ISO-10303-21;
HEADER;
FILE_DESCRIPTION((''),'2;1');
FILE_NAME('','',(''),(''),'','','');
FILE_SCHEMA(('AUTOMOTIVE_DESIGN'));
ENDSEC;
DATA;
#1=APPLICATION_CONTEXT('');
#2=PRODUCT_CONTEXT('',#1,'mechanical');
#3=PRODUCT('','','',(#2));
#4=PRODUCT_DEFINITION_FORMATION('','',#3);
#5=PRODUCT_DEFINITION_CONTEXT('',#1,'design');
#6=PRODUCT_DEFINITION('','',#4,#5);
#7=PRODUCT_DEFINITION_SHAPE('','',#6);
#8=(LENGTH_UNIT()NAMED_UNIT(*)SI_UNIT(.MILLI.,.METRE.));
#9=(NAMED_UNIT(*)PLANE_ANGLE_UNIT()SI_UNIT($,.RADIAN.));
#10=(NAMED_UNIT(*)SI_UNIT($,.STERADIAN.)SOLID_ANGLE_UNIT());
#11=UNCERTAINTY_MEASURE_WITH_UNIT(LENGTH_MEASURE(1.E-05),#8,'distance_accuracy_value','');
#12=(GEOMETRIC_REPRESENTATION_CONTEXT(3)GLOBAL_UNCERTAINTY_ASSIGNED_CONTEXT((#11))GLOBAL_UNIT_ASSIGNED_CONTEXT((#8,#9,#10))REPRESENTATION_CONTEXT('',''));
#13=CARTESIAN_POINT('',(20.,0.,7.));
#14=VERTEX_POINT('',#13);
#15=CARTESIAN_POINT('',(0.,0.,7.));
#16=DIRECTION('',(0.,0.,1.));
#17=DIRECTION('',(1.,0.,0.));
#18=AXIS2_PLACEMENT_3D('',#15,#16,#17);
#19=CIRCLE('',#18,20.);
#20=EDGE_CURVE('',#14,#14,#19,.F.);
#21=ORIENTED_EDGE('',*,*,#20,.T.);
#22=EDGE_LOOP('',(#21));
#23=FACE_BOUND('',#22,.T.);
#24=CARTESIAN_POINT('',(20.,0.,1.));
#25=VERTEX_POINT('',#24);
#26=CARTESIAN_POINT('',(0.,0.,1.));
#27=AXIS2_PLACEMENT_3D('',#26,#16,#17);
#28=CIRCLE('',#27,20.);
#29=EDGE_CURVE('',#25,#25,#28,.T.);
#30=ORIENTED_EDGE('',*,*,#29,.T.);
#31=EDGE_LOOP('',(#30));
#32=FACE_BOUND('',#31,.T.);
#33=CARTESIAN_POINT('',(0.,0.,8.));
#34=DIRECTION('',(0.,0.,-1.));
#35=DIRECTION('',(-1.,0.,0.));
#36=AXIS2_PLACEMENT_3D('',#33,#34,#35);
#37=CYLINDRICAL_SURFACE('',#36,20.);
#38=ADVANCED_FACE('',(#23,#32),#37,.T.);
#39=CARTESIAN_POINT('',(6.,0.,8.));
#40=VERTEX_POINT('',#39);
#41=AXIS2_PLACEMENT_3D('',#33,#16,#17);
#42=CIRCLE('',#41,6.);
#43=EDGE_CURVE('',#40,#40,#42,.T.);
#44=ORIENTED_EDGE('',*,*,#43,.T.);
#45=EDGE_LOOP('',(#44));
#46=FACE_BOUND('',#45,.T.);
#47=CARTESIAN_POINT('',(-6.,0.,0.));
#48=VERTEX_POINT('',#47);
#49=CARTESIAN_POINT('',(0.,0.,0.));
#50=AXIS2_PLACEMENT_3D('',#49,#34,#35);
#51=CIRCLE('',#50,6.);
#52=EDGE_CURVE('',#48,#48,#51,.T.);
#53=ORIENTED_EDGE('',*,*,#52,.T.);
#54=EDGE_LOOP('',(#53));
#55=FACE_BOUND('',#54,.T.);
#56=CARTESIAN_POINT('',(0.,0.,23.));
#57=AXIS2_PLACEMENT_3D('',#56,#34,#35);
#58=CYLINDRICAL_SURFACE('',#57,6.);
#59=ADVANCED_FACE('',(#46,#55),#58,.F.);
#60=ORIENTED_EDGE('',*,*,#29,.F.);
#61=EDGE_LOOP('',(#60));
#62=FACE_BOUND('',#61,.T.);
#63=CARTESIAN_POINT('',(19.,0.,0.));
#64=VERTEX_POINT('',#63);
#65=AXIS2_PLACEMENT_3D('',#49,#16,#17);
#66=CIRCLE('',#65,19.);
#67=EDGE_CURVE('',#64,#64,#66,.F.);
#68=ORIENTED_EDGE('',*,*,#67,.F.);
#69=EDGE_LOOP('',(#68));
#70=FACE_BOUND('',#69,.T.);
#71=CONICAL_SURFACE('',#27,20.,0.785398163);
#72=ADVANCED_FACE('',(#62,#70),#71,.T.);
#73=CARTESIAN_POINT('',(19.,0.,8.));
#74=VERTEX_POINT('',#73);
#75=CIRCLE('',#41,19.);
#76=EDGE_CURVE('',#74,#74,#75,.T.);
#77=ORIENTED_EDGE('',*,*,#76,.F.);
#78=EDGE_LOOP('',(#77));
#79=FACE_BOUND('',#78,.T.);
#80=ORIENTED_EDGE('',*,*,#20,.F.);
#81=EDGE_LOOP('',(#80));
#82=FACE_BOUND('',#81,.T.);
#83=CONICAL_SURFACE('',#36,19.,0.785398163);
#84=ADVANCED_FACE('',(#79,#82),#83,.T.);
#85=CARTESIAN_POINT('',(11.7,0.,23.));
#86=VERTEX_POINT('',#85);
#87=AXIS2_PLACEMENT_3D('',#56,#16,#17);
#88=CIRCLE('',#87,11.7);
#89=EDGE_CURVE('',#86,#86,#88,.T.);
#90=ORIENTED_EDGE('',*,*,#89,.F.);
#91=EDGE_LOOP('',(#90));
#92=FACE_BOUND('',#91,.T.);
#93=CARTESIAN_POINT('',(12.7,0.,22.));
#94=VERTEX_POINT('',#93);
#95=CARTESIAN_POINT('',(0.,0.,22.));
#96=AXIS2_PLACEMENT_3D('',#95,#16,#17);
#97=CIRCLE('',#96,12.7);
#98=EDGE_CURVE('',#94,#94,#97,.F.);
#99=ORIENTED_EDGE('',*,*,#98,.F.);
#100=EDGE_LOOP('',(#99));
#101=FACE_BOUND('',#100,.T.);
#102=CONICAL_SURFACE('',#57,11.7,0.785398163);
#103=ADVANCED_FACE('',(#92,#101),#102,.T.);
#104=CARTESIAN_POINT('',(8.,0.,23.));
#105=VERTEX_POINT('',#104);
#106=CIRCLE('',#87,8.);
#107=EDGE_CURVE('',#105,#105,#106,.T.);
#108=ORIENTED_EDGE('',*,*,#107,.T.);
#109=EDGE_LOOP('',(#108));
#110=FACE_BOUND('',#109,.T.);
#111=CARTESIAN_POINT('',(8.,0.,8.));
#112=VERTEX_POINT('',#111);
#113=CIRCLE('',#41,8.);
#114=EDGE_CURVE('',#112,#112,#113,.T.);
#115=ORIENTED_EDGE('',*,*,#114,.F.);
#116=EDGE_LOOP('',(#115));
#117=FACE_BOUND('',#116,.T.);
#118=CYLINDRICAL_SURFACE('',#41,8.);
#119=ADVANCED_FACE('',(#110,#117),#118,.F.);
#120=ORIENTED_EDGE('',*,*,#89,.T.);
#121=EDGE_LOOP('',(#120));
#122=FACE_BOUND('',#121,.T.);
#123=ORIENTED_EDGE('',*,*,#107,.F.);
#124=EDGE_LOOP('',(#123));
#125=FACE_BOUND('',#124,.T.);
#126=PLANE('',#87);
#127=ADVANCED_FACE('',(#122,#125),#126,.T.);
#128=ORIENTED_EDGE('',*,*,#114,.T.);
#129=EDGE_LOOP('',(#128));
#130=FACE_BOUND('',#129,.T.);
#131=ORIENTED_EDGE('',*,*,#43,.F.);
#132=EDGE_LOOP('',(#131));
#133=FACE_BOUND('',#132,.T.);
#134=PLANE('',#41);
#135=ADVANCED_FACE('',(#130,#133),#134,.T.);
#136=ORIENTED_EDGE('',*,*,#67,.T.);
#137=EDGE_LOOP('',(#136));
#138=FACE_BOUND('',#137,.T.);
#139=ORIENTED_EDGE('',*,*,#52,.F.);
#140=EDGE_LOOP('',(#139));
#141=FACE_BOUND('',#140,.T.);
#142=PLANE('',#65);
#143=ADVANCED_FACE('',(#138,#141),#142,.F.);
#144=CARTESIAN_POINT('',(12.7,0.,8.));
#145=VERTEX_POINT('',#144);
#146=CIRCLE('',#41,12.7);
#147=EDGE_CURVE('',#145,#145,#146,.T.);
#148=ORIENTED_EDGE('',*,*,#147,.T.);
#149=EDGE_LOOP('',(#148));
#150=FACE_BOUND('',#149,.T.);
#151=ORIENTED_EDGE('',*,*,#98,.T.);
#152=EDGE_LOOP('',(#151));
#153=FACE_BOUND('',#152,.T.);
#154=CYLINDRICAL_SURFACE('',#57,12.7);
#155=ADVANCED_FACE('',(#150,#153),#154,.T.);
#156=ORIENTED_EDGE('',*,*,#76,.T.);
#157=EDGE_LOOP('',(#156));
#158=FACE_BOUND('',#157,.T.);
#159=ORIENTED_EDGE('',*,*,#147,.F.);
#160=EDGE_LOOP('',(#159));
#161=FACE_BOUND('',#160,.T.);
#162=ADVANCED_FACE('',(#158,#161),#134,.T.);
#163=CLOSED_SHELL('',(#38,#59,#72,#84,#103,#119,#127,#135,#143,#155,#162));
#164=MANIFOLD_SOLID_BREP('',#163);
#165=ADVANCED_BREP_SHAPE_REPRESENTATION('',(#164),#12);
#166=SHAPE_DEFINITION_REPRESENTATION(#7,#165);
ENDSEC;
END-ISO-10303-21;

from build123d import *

# Parameters (mm, degrees)
ESBO_O1_R                = 20
RESSALTO_EXTRUS_O1_DEPTH = 8
ESBO_O2_R                = 12.7
RESSALTO_EXTRUS_O2_DEPTH = 15
CHANFRO1_SIZE            = 1
ESBO_O3_R                = 8
CORTE_EXTRUS_O1_DEPTH    = 15
ESBO_O4_R                = 6
CORTE_EXTRUS_O2_DEPTH    = 37.455452267
CHANFRO2_SIZE            = 1


with BuildPart() as part:
    # Esboço1 → Ressalto-extrusão1 (new body)
    with BuildSketch(Plane.XY):
        Circle(ESBO_O1_R)
    extrude(amount=RESSALTO_EXTRUS_O1_DEPTH)

    # Esboço2 → Ressalto-extrusão2 (add)
    with BuildSketch(Plane.XY.offset(8)):
        Circle(ESBO_O2_R)
    extrude(amount=RESSALTO_EXTRUS_O2_DEPTH)

    # Chanfro1
    chanfro1_edges = [part.edges().sort_by_distance(p)[0] for p in [
        (-12.7, 0, 23),
    ]]
    chamfer(chanfro1_edges, length=CHANFRO1_SIZE)

    # Esboço3 → Corte-extrusão1 (cut)
    with BuildSketch(Plane.XY.offset(23)):
        Circle(ESBO_O3_R)
    extrude(amount=-CORTE_EXTRUS_O1_DEPTH, mode=Mode.SUBTRACT)

    # Esboço4 → Corte-extrusão2 (cut, through all)
    with BuildSketch(Plane(origin=(0, 0, 0), x_dir=(-1, 0, 0), z_dir=(0, 0, -1))):
        Circle(ESBO_O4_R)
    extrude(amount=-CORTE_EXTRUS_O2_DEPTH, mode=Mode.SUBTRACT)

    # Chanfro2
    chanfro2_edges = [part.edges().sort_by_distance(p)[0] for p in [
        (-20, 0, 0),
        (-20, 0, 8),
    ]]
    chamfer(chanfro2_edges, length=CHANFRO2_SIZE)


solid = part.part
